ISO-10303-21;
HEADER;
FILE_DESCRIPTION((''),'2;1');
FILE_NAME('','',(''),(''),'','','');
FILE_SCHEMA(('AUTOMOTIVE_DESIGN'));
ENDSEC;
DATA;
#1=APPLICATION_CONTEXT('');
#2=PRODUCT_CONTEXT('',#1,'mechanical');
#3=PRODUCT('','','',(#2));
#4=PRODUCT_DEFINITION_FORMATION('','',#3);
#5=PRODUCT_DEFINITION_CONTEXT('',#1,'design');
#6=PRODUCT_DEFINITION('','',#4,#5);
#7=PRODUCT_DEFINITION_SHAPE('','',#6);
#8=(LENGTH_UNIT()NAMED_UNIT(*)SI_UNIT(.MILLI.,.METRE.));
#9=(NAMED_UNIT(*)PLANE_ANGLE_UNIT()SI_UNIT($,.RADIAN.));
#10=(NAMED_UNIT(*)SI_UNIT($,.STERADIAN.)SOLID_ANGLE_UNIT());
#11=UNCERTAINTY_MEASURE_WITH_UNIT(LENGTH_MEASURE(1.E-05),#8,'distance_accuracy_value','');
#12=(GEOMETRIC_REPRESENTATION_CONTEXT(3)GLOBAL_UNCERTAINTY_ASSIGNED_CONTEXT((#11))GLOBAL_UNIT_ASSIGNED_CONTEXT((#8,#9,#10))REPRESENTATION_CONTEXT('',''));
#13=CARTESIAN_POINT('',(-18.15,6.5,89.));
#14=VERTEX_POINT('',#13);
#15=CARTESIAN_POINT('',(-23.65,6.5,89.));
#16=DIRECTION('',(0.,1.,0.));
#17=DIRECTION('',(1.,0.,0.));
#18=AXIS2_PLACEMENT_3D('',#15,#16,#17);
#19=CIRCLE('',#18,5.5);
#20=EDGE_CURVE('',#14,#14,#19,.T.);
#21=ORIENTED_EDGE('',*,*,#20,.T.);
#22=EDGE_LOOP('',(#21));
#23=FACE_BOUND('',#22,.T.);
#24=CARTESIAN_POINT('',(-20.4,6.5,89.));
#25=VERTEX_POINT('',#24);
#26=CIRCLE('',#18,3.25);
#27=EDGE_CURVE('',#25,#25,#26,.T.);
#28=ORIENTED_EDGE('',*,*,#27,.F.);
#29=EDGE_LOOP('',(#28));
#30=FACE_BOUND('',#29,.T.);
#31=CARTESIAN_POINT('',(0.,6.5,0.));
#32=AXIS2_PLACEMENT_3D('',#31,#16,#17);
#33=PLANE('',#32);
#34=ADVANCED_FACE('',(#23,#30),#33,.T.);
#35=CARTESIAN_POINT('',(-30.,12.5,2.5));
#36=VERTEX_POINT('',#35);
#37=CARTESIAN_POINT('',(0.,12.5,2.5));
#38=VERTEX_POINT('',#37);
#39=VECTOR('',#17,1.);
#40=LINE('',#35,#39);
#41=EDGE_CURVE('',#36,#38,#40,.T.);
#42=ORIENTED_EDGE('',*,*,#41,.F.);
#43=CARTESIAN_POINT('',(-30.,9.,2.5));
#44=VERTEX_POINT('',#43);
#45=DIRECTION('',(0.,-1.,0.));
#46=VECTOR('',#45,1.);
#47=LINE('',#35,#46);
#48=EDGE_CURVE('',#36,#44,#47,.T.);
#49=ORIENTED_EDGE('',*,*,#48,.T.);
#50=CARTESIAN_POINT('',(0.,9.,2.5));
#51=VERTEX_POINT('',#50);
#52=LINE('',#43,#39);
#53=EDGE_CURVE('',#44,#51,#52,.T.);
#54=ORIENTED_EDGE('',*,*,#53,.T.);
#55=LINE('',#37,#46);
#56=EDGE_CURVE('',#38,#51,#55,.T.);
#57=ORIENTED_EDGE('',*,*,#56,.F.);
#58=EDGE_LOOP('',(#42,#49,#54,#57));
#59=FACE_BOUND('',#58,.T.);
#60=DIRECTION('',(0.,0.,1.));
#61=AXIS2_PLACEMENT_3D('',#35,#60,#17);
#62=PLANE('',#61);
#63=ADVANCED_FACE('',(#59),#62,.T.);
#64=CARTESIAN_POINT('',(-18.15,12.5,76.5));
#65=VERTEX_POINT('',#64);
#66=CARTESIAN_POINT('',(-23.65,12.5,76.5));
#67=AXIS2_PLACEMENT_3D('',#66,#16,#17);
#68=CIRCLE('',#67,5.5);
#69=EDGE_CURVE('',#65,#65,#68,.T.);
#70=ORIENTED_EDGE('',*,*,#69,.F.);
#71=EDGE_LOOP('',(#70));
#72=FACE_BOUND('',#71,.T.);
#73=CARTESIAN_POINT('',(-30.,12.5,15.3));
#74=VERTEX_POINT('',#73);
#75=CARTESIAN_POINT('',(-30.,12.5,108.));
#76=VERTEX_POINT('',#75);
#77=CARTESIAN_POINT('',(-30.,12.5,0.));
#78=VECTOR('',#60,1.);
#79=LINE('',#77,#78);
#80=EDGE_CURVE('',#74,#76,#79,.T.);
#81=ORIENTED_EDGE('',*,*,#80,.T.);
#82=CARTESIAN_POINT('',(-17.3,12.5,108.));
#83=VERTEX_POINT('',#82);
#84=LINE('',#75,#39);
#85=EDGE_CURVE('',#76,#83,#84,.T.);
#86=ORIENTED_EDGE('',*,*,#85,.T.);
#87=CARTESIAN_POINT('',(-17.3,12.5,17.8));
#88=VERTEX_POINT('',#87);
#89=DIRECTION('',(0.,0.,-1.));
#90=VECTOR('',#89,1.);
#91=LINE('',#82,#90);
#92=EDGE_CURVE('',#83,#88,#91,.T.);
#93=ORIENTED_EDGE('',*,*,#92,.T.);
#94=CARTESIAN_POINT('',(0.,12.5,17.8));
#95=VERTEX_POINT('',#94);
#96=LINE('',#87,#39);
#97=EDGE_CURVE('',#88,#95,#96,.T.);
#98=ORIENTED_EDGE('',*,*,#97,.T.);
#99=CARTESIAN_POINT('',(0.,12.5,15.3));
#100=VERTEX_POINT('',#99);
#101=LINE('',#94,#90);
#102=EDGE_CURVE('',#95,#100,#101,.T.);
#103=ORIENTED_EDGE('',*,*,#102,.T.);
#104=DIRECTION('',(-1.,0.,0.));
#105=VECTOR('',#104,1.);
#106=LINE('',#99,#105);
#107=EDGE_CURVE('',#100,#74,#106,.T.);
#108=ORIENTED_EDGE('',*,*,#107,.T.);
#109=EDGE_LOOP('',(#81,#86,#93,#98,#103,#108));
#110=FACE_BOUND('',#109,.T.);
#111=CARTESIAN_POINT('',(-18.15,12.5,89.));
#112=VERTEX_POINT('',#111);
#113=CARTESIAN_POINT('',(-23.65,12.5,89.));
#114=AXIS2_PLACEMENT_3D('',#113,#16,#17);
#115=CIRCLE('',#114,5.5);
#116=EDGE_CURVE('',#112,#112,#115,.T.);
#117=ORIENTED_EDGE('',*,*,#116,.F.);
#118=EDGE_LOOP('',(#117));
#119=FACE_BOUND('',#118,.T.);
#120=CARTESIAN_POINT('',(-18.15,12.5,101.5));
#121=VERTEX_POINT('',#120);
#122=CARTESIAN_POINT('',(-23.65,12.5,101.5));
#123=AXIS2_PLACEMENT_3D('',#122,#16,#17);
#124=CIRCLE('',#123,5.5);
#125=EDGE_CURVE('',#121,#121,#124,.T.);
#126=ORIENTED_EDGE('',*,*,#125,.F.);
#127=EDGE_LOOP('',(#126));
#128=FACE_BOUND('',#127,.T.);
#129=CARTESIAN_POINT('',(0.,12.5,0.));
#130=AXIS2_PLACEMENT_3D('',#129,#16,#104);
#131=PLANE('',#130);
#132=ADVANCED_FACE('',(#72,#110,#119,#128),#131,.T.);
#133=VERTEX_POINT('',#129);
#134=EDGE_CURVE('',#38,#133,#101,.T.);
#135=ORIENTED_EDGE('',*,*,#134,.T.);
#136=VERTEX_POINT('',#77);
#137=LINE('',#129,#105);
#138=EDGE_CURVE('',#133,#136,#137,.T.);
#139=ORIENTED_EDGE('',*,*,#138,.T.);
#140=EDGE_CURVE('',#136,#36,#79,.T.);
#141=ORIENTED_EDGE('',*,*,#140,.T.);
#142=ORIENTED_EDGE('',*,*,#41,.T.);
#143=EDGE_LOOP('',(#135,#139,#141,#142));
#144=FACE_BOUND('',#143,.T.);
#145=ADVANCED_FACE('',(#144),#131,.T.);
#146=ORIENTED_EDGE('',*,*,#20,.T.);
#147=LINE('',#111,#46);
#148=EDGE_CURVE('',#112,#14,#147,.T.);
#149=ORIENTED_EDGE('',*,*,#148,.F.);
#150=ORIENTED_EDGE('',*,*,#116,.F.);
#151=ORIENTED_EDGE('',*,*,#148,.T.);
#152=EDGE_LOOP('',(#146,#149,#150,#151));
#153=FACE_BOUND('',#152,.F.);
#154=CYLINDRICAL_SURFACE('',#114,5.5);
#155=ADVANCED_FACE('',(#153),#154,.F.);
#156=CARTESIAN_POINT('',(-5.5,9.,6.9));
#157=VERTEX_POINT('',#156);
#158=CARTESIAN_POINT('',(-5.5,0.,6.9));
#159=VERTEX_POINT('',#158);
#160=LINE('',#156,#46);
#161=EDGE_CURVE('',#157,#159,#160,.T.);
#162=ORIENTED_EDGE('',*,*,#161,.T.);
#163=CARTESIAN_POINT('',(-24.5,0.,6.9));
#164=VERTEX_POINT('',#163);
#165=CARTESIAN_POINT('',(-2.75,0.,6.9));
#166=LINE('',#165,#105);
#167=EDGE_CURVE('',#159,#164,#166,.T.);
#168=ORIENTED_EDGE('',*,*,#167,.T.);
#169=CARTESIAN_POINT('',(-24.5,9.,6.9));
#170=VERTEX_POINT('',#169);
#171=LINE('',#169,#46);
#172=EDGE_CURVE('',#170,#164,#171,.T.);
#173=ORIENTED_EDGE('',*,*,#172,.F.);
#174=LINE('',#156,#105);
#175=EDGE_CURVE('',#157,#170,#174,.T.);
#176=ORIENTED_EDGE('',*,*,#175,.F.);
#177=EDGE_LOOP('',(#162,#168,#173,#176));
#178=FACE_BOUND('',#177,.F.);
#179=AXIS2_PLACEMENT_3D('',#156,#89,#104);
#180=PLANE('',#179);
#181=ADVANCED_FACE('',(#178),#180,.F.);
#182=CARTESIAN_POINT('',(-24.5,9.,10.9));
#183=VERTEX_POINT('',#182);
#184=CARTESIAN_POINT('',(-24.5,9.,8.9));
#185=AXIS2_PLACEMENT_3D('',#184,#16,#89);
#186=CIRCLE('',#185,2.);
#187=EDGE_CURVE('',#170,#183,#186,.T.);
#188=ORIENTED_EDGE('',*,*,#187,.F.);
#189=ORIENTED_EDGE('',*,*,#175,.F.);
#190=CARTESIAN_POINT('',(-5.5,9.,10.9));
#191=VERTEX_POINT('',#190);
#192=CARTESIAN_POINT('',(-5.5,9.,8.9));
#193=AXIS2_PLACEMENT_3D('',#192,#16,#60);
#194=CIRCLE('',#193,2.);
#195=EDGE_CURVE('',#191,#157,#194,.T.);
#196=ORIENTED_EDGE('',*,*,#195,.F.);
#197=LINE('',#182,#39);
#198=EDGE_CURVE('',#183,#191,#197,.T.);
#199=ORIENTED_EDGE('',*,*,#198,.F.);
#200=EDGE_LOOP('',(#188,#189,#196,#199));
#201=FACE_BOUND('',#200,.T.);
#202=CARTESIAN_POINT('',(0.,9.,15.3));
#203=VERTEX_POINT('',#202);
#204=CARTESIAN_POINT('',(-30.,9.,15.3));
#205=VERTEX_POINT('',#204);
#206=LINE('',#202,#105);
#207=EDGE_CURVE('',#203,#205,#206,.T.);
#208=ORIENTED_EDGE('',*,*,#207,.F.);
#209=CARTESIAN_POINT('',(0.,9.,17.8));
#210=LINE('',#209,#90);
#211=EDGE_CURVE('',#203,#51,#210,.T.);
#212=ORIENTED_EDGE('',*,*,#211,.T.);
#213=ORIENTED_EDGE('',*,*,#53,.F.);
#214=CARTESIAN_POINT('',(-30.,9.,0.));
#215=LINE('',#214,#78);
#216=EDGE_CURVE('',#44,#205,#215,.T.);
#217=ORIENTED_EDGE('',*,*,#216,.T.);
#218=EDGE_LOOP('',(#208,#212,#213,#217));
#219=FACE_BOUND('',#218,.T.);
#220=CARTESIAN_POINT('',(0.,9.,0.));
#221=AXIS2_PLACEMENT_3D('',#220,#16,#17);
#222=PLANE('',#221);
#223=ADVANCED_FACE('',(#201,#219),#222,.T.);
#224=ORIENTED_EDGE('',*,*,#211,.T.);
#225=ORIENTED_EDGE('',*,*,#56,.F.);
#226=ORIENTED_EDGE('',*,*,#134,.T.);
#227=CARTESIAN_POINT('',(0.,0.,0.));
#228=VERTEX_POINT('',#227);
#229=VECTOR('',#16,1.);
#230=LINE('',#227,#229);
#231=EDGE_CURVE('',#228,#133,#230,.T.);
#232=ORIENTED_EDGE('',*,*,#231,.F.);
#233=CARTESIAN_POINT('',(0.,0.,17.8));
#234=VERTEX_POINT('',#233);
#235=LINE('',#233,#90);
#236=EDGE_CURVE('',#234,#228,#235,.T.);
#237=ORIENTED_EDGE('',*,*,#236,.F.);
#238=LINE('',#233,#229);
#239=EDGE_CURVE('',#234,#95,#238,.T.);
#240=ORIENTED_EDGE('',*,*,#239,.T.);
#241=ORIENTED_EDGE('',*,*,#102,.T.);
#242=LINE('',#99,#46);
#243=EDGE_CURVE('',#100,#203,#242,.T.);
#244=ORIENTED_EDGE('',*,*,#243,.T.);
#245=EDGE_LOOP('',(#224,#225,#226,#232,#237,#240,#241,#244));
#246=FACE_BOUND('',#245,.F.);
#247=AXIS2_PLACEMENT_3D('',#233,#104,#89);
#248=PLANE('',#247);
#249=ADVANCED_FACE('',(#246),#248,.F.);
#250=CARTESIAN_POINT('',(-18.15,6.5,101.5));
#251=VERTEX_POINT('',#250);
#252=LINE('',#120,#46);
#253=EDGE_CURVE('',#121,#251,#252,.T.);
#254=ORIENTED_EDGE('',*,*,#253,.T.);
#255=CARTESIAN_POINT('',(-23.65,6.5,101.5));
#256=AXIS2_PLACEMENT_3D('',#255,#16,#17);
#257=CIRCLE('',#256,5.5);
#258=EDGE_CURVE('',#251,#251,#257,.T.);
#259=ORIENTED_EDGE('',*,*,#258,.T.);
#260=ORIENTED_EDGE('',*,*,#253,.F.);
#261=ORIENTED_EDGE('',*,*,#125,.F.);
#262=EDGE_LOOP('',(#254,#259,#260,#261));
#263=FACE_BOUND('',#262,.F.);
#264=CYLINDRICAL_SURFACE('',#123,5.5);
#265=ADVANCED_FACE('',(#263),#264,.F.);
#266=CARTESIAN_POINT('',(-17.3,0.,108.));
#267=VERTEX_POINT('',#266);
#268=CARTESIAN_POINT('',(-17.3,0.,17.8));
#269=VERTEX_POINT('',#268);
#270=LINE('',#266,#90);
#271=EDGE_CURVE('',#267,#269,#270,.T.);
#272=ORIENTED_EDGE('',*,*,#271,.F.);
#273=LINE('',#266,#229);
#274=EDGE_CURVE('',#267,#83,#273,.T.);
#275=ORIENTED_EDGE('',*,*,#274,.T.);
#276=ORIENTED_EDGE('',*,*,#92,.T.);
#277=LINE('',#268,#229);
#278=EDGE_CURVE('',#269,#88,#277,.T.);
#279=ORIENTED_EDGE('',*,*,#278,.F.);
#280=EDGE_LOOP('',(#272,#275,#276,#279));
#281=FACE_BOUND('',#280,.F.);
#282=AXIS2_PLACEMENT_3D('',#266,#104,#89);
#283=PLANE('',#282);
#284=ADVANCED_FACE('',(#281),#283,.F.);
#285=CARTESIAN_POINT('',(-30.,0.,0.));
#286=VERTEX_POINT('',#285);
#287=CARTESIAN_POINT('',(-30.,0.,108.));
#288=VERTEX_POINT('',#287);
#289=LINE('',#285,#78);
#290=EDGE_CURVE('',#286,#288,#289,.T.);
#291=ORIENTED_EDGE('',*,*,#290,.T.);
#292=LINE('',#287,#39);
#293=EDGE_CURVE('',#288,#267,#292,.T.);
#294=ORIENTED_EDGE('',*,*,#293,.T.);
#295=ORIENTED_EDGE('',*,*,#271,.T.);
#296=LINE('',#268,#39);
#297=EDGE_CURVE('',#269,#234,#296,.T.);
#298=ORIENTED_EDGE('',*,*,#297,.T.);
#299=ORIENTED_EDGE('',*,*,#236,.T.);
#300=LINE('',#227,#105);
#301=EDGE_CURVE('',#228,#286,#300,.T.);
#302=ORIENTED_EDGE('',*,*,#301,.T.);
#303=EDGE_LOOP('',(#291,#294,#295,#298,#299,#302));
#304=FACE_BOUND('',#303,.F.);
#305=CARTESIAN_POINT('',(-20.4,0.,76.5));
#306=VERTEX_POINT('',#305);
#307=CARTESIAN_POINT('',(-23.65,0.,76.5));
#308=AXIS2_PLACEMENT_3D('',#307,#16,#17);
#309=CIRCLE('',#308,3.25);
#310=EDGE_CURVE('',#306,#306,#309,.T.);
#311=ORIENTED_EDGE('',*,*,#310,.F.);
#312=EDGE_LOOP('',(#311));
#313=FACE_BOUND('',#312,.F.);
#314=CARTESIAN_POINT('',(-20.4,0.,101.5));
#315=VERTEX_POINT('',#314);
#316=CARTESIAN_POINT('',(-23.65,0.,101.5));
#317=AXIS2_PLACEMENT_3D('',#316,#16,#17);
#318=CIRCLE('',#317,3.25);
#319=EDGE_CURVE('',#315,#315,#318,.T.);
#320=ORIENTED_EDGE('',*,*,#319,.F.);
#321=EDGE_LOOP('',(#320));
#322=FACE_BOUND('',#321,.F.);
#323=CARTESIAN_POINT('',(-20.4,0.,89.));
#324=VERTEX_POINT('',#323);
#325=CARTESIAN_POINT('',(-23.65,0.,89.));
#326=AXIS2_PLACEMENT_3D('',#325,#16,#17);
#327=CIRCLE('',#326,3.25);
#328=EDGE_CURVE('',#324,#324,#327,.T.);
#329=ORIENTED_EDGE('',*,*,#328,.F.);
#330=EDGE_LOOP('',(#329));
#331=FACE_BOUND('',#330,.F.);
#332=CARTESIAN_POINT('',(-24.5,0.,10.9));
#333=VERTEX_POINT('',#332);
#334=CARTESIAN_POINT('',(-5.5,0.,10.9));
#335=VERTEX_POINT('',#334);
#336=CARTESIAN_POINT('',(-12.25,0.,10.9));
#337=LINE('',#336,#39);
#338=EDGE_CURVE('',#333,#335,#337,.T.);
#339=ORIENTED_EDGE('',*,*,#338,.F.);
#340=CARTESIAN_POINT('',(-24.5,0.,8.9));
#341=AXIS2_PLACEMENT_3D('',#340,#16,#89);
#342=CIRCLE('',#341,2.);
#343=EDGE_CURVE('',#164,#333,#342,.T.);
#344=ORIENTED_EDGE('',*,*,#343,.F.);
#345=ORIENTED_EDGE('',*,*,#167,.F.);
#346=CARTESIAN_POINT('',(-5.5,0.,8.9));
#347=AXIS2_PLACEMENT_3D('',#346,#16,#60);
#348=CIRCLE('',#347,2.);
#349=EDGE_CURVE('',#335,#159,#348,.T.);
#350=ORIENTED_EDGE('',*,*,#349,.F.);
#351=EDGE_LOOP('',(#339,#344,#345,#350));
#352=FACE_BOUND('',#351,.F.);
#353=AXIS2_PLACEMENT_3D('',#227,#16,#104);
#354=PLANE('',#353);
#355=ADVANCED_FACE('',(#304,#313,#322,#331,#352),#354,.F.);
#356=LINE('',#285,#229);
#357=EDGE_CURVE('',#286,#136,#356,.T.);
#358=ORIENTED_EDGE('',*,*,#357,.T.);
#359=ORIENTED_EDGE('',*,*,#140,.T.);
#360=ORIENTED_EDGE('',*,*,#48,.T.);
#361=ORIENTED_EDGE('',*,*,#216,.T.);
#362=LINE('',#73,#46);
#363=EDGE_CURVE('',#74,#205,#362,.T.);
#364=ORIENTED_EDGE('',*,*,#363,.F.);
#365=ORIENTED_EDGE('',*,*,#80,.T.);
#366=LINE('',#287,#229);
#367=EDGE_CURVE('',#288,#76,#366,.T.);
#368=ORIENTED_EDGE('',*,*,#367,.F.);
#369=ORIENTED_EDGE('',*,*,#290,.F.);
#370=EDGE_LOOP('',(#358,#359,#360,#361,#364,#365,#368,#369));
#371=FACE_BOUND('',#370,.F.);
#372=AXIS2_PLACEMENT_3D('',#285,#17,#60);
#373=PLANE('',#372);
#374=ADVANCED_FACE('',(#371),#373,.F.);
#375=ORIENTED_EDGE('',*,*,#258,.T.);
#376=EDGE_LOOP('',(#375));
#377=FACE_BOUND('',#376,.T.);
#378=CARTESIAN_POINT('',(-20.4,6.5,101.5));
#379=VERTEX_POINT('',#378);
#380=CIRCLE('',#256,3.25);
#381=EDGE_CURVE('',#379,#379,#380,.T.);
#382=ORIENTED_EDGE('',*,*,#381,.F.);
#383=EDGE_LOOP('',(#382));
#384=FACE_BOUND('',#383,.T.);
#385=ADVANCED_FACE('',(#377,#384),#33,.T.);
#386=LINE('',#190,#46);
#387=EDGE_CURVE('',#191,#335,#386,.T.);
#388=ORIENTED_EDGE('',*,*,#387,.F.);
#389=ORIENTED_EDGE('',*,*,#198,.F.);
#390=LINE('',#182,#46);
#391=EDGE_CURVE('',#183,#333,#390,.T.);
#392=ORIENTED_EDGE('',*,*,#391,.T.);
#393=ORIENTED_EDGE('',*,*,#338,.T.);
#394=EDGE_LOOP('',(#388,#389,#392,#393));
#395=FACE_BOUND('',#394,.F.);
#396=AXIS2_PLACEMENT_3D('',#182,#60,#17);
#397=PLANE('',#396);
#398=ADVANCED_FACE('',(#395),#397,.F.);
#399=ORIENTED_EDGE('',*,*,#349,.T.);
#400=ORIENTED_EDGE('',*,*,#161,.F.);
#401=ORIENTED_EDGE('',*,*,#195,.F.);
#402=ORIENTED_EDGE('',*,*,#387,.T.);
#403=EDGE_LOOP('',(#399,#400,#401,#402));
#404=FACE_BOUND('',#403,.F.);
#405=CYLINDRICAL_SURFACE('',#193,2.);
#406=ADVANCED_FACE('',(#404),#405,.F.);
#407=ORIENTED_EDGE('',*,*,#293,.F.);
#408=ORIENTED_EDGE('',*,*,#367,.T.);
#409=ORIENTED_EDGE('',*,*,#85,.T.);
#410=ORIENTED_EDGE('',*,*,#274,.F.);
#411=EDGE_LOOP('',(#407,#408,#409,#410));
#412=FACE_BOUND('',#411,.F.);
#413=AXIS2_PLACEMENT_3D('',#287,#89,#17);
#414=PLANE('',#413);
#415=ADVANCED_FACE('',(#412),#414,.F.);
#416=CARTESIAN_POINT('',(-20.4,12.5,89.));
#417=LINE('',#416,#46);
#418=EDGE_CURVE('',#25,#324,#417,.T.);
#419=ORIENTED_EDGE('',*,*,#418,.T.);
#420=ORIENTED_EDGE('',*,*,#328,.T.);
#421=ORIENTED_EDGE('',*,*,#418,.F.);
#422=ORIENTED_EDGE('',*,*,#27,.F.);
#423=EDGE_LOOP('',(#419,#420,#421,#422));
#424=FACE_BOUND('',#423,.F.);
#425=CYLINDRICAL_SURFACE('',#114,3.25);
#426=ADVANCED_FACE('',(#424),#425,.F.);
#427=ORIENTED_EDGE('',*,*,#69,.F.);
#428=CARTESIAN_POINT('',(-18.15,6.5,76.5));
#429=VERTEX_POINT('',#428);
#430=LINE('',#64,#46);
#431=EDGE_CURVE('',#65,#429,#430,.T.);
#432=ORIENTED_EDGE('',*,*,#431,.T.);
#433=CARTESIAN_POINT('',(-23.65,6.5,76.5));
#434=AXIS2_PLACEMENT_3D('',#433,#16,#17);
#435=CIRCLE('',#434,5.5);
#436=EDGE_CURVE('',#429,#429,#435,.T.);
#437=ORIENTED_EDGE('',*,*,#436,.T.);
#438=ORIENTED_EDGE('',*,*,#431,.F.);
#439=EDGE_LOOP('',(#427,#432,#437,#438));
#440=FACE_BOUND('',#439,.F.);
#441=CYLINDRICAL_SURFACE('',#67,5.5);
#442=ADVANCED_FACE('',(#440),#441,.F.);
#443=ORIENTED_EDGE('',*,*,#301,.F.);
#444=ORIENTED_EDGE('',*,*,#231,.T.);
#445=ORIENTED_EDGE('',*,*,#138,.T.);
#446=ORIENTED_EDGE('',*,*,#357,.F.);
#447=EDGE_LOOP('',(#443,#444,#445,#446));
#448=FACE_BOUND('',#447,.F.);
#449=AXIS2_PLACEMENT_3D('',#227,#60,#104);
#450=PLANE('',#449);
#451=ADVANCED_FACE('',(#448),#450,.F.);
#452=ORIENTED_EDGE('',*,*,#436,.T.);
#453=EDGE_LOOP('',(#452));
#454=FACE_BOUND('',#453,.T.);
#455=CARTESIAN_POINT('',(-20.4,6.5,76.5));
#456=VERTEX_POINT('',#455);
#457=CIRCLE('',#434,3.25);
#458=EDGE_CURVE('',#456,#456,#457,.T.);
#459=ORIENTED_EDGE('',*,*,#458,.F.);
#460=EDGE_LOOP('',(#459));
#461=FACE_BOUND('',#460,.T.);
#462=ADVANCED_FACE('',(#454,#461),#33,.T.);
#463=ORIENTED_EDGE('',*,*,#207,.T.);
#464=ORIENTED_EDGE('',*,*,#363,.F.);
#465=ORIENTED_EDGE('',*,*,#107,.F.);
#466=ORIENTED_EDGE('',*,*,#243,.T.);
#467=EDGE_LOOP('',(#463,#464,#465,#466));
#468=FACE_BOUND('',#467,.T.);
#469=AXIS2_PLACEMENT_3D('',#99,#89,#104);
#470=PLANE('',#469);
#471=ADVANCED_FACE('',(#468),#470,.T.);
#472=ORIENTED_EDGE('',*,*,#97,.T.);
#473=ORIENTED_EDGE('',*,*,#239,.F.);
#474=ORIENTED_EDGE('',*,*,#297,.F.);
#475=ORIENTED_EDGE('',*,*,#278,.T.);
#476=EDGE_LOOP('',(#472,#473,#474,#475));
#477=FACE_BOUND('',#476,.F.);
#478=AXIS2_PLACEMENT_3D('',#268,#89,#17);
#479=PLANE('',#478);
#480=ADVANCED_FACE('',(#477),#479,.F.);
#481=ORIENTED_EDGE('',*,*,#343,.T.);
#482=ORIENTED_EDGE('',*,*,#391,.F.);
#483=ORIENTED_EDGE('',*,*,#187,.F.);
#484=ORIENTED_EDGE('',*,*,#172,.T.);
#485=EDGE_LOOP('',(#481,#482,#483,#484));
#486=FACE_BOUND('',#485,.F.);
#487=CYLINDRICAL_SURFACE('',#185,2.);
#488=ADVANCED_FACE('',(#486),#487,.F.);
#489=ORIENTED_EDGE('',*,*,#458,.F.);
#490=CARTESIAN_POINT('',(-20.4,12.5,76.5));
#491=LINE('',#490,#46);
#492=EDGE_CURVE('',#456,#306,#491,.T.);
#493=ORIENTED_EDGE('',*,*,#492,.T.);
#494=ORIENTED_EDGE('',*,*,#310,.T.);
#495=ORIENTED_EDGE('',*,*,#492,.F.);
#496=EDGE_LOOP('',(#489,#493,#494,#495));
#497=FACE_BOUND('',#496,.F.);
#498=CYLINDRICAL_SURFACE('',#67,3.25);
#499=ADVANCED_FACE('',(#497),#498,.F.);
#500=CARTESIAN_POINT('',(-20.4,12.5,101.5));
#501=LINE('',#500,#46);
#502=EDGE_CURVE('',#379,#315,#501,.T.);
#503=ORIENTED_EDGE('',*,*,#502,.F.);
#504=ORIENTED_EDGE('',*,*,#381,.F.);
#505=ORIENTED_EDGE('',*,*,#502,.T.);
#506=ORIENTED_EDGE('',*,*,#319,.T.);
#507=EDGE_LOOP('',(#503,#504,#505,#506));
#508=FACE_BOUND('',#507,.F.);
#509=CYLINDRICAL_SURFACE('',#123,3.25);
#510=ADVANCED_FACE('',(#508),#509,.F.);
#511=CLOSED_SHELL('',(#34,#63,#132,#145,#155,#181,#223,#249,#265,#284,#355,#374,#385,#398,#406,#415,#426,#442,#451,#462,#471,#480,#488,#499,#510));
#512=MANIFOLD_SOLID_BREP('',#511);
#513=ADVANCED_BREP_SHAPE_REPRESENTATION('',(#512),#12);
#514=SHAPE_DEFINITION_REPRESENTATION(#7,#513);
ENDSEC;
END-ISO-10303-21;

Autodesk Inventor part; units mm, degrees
ref_plane "YZ Plane" through (0, 0, 0) normal (1, 0, 0) x (0, 1, 0)
ref_plane "XZ Plane" through (0, 0, 0) normal (0, 1, 0) x (-1, 0, 0)
ref_plane "XY Plane" through (0, 0, 0) normal (0, 0, 1) x (1, 0, 0)
sketch "Sketch1" plane through (0, 0, 0) normal (0, 1, 0) x (-1, 0, 0)
  line L0 (0, 0) -> (30, 0)
  line L1 (30, 0) -> (30, 108)
  line L2 (30, 108) -> (17.3, 108)
  line L3 (17.3, 108) -> (17.3, 17.8)
  line L4 (17.3, 17.8) -> (0, 17.8)
  line L5 (0, 17.8) -> (0, 0)
  dimension "d0" = 30
  dimension "d1" = 108
  dimension "d2" = 12.7
  dimension "d3" = 90.2
extrude "Extrusion1" add sketch "Sketch1" along normal blind 12.5
sketch "Sketch2" plane through (0, 12.5, 0) normal (0, 1, 0) x (1, 0, 0)
  line L0 (0, -17.8) -> (0, 0) projected
  line L1 (-30, 0) -> (-30, -108) projected
  line L2 (-30, 0) -> (-30, -108) projected
  line L3 (0, -15.3) -> (-30, -15.3)
  line L4 (-30, -15.3) -> (-30, -2.5)
  line L5 (-30, -2.5) -> (0, -2.5)
  line L6 (0, -2.5) -> (0, -15.3)
  dimension "d6" = 12.8
extrude "Extrusion2" cut sketch "Sketch2" against normal blind 3.5
sketch "Sketch3" plane through (0, 9, 0) normal (0, 1, 0) x (1, 0, 0)
  line L0 (-30, -8.9) -> (0, -8.9) construction
  line L1 (0, -17.8) -> (0, 0) projected
  arc A0 (-5.5, -10.9) -> (-5.5, -6.9) centre (-5.5, -8.9) ccw
  arc A1 (-24.5, -6.9) -> (-24.5, -10.9) centre (-24.5, -8.9) ccw
  line L2 (-24.5, -10.9) -> (-5.5, -10.9)
  line L3 (-5.5, -6.9) -> (-24.5, -6.9)
  dimension "d9" = 4
  dimension "d10" = 4
extrude "Extrusion3" cut sketch "Sketch3" against normal through all
sketch "Sketch4" plane through (0, 12.5, 0) normal (0, 1, 0) x (1, 0, 0)
  line L0 (-30, -108) -> (-17.3, -108) projected
  line L1 (-23.65, -108) -> (-23.65, -15.5103) construction
  circle A0 centre (-23.65, -101.5) radius 5.5
  circle A1 centre (-23.65, -89) radius 5.5
  circle A2 centre (-23.65, -76.5) radius 5.5
  circle A3 centre (-23.65, -76.5) radius 3.25
  circle A4 centre (-23.65, -89) radius 3.25
  circle A5 centre (-23.65, -101.5) radius 3.25
  point P0 (0, 0)
  dimension "d13" = 11
  dimension "d14" = 11
  dimension "d15" = 11
  dimension "d16" = 12.5
  dimension "d17" = 12.5
  dimension "d18" = 6.5
  dimension "d19" = 6.5
  dimension "d20" = 6.5
  dimension "d25" = 6.5
extrude "Extrusion4" cut sketch "Sketch4" against normal through all contours A3 | A4 | A5
extrude "Extrusion5" cut sketch "Sketch4" against normal blind 6
properties part number "HeadbarHolder" material "Aluminum 6061"
